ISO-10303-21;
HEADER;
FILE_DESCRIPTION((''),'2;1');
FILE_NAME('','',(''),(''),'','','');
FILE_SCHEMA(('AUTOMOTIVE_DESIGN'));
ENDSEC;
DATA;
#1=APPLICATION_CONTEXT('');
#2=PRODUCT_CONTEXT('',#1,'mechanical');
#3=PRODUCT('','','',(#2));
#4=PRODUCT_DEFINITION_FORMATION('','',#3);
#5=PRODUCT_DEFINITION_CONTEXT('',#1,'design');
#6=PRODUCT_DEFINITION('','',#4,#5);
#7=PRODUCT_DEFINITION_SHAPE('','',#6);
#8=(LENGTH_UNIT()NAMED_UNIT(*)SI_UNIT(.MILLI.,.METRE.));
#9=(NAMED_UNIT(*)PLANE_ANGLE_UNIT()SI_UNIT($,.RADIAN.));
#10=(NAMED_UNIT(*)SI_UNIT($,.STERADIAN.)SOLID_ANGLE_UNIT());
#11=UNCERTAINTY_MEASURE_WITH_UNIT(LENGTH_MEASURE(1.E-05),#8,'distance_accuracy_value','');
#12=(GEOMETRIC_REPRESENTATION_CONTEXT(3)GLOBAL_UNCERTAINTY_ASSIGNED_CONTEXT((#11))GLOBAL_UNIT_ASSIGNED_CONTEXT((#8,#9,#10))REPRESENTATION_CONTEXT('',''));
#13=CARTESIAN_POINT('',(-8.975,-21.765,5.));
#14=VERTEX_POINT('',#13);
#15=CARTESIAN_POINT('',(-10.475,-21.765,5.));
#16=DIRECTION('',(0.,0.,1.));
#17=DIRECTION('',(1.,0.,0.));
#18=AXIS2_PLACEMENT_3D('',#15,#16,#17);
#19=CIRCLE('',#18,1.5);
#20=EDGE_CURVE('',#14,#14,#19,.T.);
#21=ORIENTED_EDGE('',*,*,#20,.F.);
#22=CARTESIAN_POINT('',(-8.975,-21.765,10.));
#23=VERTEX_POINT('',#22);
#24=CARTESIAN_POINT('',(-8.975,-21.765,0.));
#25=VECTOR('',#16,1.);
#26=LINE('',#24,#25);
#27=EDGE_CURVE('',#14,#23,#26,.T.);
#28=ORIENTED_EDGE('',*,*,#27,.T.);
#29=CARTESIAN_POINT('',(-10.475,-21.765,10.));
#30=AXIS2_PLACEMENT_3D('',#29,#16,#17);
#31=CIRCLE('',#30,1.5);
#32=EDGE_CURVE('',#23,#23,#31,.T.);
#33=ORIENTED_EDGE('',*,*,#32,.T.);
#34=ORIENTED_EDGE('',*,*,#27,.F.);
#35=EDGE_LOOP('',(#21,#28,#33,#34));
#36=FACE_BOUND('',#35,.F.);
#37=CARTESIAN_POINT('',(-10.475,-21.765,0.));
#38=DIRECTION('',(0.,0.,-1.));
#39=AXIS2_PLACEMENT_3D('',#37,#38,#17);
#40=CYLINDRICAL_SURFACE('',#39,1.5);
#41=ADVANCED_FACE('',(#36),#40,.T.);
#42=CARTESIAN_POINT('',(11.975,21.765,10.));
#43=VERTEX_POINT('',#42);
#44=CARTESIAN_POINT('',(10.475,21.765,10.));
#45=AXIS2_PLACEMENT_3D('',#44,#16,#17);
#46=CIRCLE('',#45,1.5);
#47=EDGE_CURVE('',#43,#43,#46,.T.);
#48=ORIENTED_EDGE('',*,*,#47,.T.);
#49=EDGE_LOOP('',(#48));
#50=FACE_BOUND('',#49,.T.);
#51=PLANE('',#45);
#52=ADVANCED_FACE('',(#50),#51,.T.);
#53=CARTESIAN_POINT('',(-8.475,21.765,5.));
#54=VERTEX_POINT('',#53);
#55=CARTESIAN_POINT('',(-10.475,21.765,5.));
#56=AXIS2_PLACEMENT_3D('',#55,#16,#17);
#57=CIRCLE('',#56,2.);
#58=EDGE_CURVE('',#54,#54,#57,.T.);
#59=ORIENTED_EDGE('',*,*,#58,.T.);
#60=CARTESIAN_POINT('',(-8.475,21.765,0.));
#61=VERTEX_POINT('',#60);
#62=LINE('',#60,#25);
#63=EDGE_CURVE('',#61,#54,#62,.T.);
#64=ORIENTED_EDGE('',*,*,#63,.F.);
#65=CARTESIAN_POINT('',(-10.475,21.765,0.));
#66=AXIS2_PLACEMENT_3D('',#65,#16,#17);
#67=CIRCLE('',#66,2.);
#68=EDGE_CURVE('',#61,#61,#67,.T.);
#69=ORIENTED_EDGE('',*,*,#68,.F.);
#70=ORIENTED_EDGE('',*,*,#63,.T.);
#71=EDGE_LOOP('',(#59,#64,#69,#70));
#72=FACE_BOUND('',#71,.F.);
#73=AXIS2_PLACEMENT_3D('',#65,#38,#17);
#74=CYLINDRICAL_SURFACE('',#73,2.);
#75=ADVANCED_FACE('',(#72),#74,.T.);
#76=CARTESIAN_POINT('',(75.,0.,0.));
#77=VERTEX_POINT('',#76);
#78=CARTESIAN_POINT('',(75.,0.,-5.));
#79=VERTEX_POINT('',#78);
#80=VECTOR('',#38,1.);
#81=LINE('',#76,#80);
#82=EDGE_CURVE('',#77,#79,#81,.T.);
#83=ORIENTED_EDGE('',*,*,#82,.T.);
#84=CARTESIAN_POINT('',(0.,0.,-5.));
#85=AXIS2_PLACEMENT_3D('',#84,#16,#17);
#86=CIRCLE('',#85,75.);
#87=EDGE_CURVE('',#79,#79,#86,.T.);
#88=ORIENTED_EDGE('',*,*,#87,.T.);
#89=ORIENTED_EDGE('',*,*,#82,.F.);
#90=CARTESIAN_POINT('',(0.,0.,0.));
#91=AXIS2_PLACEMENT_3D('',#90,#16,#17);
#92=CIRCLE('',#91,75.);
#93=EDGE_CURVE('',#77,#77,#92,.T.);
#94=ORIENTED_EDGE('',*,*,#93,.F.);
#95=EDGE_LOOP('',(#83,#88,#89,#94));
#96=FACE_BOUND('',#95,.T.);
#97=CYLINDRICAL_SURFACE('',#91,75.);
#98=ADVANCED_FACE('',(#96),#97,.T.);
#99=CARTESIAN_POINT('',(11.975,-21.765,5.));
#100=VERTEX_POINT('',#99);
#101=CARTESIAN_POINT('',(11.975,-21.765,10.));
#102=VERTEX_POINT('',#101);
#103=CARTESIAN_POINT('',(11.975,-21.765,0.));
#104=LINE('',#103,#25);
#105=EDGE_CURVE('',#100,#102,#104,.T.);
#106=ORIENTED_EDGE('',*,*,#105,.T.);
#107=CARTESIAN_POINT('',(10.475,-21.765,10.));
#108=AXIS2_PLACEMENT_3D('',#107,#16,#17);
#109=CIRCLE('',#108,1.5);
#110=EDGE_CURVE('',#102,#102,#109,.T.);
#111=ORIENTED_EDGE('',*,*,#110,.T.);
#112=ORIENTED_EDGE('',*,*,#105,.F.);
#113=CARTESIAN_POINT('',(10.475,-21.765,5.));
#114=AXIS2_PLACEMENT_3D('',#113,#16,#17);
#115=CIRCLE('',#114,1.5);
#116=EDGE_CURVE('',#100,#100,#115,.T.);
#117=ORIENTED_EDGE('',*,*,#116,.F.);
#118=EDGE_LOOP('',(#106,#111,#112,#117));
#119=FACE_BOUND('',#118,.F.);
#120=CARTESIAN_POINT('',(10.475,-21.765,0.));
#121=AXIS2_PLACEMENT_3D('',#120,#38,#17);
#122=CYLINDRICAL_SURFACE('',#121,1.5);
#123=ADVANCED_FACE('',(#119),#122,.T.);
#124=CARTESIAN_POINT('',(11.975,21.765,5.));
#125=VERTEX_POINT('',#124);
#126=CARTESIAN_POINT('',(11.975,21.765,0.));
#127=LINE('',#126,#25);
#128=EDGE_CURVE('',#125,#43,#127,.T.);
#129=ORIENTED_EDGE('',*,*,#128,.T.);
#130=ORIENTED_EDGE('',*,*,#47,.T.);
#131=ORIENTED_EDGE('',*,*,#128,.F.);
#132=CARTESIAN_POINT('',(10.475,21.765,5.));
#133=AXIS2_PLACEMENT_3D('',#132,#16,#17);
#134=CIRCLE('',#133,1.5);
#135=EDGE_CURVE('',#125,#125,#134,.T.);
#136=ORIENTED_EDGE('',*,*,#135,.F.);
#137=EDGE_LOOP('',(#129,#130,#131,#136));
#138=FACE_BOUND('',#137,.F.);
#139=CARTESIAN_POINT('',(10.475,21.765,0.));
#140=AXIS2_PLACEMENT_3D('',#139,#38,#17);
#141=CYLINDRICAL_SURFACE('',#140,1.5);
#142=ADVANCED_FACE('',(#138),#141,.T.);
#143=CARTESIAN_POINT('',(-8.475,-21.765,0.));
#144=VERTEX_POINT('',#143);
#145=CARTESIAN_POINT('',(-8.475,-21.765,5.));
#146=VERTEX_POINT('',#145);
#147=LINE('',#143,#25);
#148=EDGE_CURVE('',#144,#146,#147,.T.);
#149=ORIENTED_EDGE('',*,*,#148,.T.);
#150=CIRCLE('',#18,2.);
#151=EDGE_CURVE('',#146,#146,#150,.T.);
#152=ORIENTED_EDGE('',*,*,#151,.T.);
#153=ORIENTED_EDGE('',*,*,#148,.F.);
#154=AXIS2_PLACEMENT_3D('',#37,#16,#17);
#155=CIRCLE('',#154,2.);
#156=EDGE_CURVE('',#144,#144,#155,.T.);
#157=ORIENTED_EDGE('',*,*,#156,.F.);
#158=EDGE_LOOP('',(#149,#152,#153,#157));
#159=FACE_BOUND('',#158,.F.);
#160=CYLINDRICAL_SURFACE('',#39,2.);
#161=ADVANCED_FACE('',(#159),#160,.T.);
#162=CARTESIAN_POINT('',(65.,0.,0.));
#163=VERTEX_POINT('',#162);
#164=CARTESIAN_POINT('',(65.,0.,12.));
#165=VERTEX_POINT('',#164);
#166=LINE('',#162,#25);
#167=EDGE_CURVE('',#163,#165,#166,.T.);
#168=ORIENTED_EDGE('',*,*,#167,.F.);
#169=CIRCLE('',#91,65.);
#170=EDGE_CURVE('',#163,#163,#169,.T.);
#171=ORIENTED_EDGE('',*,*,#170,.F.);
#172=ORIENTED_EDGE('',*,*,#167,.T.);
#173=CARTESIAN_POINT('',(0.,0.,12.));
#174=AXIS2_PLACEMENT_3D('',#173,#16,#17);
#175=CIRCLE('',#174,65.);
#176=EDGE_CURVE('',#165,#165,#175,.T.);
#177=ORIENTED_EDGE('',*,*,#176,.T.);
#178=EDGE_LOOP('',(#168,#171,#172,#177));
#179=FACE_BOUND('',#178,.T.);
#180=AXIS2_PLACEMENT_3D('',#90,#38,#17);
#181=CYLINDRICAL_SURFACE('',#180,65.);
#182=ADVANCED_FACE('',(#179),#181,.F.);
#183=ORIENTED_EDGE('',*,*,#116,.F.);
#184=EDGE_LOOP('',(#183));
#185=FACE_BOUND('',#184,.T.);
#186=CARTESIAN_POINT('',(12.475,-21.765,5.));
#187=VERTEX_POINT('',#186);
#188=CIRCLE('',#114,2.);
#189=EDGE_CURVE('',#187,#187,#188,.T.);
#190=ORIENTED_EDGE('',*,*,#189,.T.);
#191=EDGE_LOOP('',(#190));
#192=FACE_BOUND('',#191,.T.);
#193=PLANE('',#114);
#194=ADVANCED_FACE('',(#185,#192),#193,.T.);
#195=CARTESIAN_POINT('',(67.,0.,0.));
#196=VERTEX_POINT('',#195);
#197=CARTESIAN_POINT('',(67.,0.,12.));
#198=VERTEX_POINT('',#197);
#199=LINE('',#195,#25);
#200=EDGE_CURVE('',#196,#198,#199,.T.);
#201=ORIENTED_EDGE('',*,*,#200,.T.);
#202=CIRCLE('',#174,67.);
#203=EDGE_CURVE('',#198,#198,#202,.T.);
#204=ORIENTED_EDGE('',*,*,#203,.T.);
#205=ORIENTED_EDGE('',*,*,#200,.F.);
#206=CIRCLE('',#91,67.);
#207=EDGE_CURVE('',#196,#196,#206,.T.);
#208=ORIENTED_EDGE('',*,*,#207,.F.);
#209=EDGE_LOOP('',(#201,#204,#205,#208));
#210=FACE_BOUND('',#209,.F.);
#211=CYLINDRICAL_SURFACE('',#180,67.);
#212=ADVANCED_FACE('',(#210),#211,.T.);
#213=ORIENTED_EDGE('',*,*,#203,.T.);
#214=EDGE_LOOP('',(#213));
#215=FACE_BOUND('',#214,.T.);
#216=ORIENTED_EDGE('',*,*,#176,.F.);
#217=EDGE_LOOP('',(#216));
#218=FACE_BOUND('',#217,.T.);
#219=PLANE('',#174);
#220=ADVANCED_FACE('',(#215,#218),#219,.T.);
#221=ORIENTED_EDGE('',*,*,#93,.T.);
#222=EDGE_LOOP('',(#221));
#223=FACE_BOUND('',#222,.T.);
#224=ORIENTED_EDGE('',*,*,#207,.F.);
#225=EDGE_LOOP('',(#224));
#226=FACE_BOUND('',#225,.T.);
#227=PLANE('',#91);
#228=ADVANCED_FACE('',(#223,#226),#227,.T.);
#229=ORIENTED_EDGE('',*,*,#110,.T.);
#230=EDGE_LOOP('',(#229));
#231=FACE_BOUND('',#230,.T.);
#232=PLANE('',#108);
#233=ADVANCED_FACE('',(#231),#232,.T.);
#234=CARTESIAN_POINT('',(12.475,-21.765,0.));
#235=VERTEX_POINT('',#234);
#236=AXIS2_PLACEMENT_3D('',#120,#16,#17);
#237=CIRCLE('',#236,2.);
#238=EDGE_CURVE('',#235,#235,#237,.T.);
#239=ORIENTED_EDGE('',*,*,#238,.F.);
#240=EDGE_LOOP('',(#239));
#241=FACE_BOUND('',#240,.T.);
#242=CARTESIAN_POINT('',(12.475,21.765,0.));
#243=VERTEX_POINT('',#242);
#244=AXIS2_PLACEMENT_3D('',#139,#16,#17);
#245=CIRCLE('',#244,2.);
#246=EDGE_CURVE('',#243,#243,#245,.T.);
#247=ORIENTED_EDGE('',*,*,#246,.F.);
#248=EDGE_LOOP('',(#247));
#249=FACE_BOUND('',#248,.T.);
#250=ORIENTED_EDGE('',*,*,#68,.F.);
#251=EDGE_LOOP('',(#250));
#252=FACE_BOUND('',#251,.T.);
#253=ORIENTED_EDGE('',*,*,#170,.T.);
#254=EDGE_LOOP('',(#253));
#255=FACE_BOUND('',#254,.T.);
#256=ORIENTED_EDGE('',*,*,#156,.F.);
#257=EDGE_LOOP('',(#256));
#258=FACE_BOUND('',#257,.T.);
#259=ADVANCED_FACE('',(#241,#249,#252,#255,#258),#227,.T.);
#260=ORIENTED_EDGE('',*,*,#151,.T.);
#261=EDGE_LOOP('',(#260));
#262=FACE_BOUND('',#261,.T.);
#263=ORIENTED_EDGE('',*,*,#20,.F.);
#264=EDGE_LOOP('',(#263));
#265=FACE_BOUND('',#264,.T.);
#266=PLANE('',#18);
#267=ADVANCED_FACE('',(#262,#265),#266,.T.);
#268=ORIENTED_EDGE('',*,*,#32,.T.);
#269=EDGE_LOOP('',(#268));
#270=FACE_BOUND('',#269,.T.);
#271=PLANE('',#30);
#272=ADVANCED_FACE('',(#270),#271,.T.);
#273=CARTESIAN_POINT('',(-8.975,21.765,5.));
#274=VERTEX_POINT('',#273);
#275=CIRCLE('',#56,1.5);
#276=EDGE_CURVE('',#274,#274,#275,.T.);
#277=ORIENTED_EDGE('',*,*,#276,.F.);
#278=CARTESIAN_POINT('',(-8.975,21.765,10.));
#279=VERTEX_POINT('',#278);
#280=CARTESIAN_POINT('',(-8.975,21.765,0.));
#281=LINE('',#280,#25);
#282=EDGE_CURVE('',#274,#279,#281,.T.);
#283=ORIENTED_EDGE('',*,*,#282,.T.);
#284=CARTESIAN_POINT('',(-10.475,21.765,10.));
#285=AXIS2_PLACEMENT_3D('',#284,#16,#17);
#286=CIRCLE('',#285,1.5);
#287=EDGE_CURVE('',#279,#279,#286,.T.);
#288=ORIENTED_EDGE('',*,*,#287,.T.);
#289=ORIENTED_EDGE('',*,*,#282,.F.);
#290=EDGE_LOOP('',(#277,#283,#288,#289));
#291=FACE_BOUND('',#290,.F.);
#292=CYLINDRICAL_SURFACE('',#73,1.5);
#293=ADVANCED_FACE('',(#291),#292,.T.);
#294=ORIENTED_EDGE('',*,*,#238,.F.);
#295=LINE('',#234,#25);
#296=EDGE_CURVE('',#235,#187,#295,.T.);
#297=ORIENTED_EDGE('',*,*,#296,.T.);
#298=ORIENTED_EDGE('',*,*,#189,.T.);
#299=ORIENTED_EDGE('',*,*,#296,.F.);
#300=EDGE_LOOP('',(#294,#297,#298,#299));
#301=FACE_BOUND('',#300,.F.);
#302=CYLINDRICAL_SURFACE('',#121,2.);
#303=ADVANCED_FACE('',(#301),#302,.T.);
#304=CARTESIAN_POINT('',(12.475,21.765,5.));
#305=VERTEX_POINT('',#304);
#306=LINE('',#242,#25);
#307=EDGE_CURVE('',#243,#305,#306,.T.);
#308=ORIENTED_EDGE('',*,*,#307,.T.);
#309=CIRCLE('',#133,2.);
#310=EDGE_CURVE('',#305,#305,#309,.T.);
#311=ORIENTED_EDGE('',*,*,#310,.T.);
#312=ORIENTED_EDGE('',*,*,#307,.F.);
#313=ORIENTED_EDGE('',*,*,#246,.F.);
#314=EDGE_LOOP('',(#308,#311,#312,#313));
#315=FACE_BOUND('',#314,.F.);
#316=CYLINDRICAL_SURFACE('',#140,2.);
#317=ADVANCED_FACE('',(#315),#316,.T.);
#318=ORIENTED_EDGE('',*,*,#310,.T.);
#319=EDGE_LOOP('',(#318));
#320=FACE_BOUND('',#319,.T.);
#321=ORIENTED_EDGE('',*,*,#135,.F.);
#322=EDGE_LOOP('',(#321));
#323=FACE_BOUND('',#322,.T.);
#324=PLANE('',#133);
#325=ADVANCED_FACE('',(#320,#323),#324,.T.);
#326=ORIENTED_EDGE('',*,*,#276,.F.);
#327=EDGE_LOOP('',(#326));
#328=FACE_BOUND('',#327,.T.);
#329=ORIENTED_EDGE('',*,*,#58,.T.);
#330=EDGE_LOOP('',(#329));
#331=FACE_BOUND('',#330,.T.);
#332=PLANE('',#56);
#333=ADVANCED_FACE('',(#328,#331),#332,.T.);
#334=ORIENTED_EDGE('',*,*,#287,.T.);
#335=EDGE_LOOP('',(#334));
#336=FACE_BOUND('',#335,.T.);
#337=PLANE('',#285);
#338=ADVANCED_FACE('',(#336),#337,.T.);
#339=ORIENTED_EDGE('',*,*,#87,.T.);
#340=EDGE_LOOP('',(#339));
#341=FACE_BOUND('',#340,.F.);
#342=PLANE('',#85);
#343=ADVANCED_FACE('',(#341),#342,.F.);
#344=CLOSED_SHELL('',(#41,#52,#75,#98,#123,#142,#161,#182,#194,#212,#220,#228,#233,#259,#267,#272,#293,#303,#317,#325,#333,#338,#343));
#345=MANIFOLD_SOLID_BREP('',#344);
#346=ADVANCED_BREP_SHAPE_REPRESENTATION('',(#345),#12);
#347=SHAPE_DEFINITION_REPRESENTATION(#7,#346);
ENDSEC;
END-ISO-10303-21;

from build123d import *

# Parameters (mm, degrees)
F1_R     = 75
F1_R_2   = 67
F1_R_3   = 65
F1_W     = 25.57
F1_H     = 48.15
F1_R_4   = 2
F1_R_5   = 1.5
F2_DEPTH = 5
F3_DEPTH = 10
F4_DEPTH = 5
F5_DEPTH = 12


with BuildPart() as f2:
    # F1 (on Top) → F2 (new body)
    with BuildSketch(Plane.XY):
        Circle(F1_R)
        Circle(F1_R_2, mode=Mode.SUBTRACT)
        Circle(F1_R_2)
        Circle(F1_R_3, mode=Mode.SUBTRACT)
        Circle(F1_R_3)
        Rectangle(F1_W, F1_H, mode=Mode.SUBTRACT)
        Rectangle(F1_W, F1_H)
        with Locations((-10.475, -21.765)):
            Circle(F1_R_4, mode=Mode.SUBTRACT)
        with Locations((10.475, -21.765)):
            Circle(F1_R_4, mode=Mode.SUBTRACT)
        with Locations((-10.475, 21.765)):
            Circle(F1_R_4, mode=Mode.SUBTRACT)
        with Locations((10.475, 21.765)):
            Circle(F1_R_4, mode=Mode.SUBTRACT)
        with Locations((-10.475, 21.765)):
            Circle(F1_R_4)
        with Locations((-10.475, 21.765)):
            Circle(F1_R_5, mode=Mode.SUBTRACT)
        with Locations((-10.475, -21.765)):
            Circle(F1_R_4)
        with Locations((-10.475, -21.765)):
            Circle(F1_R_5, mode=Mode.SUBTRACT)
        with Locations((10.475, -21.765)):
            Circle(F1_R_4)
        with Locations((10.475, -21.765)):
            Circle(F1_R_5, mode=Mode.SUBTRACT)
        with Locations((10.475, 21.765)):
            Circle(F1_R_4)
        with Locations((10.475, 21.765)):
            Circle(F1_R_5, mode=Mode.SUBTRACT)
        with Locations((10.475, -21.765)):
            Circle(F1_R_5)
        with Locations((-10.475, 21.765)):
            Circle(F1_R_5)
        with Locations((10.475, 21.765)):
            Circle(F1_R_5)
        with Locations((-10.475, -21.765)):
            Circle(F1_R_5)
    extrude(amount=-F2_DEPTH)

    # F1 (on Top) → F3 (join)
    with BuildSketch(Plane.XY):
        with Locations((10.475, 21.765)):
            Circle(F1_R_5)
        with Locations((-10.475, 21.765)):
            Circle(F1_R_5)
        with Locations((10.475, -21.765)):
            Circle(F1_R_5)
        with Locations((-10.475, -21.765)):
            Circle(F1_R_5)
    extrude(amount=F3_DEPTH)

    # F1 (on Top) → F4 (join)
    with BuildSketch(Plane.XY):
        with Locations((10.475, 21.765)):
            Circle(F1_R_4)
        with Locations((10.475, 21.765)):
            Circle(F1_R_5, mode=Mode.SUBTRACT)
        with Locations((-10.475, 21.765)):
            Circle(F1_R_4)
        with Locations((-10.475, 21.765)):
            Circle(F1_R_5, mode=Mode.SUBTRACT)
        with Locations((-10.475, -21.765)):
            Circle(F1_R_4)
        with Locations((-10.475, -21.765)):
            Circle(F1_R_5, mode=Mode.SUBTRACT)
        with Locations((10.475, -21.765)):
            Circle(F1_R_4)
        with Locations((10.475, -21.765)):
            Circle(F1_R_5, mode=Mode.SUBTRACT)
    extrude(amount=F4_DEPTH)

    # F1 (on Top) → F5 (join)
    with BuildSketch(Plane.XY):
        Circle(F1_R_2)
        Circle(F1_R_3, mode=Mode.SUBTRACT)
    extrude(amount=F5_DEPTH)


solid = f2.part
